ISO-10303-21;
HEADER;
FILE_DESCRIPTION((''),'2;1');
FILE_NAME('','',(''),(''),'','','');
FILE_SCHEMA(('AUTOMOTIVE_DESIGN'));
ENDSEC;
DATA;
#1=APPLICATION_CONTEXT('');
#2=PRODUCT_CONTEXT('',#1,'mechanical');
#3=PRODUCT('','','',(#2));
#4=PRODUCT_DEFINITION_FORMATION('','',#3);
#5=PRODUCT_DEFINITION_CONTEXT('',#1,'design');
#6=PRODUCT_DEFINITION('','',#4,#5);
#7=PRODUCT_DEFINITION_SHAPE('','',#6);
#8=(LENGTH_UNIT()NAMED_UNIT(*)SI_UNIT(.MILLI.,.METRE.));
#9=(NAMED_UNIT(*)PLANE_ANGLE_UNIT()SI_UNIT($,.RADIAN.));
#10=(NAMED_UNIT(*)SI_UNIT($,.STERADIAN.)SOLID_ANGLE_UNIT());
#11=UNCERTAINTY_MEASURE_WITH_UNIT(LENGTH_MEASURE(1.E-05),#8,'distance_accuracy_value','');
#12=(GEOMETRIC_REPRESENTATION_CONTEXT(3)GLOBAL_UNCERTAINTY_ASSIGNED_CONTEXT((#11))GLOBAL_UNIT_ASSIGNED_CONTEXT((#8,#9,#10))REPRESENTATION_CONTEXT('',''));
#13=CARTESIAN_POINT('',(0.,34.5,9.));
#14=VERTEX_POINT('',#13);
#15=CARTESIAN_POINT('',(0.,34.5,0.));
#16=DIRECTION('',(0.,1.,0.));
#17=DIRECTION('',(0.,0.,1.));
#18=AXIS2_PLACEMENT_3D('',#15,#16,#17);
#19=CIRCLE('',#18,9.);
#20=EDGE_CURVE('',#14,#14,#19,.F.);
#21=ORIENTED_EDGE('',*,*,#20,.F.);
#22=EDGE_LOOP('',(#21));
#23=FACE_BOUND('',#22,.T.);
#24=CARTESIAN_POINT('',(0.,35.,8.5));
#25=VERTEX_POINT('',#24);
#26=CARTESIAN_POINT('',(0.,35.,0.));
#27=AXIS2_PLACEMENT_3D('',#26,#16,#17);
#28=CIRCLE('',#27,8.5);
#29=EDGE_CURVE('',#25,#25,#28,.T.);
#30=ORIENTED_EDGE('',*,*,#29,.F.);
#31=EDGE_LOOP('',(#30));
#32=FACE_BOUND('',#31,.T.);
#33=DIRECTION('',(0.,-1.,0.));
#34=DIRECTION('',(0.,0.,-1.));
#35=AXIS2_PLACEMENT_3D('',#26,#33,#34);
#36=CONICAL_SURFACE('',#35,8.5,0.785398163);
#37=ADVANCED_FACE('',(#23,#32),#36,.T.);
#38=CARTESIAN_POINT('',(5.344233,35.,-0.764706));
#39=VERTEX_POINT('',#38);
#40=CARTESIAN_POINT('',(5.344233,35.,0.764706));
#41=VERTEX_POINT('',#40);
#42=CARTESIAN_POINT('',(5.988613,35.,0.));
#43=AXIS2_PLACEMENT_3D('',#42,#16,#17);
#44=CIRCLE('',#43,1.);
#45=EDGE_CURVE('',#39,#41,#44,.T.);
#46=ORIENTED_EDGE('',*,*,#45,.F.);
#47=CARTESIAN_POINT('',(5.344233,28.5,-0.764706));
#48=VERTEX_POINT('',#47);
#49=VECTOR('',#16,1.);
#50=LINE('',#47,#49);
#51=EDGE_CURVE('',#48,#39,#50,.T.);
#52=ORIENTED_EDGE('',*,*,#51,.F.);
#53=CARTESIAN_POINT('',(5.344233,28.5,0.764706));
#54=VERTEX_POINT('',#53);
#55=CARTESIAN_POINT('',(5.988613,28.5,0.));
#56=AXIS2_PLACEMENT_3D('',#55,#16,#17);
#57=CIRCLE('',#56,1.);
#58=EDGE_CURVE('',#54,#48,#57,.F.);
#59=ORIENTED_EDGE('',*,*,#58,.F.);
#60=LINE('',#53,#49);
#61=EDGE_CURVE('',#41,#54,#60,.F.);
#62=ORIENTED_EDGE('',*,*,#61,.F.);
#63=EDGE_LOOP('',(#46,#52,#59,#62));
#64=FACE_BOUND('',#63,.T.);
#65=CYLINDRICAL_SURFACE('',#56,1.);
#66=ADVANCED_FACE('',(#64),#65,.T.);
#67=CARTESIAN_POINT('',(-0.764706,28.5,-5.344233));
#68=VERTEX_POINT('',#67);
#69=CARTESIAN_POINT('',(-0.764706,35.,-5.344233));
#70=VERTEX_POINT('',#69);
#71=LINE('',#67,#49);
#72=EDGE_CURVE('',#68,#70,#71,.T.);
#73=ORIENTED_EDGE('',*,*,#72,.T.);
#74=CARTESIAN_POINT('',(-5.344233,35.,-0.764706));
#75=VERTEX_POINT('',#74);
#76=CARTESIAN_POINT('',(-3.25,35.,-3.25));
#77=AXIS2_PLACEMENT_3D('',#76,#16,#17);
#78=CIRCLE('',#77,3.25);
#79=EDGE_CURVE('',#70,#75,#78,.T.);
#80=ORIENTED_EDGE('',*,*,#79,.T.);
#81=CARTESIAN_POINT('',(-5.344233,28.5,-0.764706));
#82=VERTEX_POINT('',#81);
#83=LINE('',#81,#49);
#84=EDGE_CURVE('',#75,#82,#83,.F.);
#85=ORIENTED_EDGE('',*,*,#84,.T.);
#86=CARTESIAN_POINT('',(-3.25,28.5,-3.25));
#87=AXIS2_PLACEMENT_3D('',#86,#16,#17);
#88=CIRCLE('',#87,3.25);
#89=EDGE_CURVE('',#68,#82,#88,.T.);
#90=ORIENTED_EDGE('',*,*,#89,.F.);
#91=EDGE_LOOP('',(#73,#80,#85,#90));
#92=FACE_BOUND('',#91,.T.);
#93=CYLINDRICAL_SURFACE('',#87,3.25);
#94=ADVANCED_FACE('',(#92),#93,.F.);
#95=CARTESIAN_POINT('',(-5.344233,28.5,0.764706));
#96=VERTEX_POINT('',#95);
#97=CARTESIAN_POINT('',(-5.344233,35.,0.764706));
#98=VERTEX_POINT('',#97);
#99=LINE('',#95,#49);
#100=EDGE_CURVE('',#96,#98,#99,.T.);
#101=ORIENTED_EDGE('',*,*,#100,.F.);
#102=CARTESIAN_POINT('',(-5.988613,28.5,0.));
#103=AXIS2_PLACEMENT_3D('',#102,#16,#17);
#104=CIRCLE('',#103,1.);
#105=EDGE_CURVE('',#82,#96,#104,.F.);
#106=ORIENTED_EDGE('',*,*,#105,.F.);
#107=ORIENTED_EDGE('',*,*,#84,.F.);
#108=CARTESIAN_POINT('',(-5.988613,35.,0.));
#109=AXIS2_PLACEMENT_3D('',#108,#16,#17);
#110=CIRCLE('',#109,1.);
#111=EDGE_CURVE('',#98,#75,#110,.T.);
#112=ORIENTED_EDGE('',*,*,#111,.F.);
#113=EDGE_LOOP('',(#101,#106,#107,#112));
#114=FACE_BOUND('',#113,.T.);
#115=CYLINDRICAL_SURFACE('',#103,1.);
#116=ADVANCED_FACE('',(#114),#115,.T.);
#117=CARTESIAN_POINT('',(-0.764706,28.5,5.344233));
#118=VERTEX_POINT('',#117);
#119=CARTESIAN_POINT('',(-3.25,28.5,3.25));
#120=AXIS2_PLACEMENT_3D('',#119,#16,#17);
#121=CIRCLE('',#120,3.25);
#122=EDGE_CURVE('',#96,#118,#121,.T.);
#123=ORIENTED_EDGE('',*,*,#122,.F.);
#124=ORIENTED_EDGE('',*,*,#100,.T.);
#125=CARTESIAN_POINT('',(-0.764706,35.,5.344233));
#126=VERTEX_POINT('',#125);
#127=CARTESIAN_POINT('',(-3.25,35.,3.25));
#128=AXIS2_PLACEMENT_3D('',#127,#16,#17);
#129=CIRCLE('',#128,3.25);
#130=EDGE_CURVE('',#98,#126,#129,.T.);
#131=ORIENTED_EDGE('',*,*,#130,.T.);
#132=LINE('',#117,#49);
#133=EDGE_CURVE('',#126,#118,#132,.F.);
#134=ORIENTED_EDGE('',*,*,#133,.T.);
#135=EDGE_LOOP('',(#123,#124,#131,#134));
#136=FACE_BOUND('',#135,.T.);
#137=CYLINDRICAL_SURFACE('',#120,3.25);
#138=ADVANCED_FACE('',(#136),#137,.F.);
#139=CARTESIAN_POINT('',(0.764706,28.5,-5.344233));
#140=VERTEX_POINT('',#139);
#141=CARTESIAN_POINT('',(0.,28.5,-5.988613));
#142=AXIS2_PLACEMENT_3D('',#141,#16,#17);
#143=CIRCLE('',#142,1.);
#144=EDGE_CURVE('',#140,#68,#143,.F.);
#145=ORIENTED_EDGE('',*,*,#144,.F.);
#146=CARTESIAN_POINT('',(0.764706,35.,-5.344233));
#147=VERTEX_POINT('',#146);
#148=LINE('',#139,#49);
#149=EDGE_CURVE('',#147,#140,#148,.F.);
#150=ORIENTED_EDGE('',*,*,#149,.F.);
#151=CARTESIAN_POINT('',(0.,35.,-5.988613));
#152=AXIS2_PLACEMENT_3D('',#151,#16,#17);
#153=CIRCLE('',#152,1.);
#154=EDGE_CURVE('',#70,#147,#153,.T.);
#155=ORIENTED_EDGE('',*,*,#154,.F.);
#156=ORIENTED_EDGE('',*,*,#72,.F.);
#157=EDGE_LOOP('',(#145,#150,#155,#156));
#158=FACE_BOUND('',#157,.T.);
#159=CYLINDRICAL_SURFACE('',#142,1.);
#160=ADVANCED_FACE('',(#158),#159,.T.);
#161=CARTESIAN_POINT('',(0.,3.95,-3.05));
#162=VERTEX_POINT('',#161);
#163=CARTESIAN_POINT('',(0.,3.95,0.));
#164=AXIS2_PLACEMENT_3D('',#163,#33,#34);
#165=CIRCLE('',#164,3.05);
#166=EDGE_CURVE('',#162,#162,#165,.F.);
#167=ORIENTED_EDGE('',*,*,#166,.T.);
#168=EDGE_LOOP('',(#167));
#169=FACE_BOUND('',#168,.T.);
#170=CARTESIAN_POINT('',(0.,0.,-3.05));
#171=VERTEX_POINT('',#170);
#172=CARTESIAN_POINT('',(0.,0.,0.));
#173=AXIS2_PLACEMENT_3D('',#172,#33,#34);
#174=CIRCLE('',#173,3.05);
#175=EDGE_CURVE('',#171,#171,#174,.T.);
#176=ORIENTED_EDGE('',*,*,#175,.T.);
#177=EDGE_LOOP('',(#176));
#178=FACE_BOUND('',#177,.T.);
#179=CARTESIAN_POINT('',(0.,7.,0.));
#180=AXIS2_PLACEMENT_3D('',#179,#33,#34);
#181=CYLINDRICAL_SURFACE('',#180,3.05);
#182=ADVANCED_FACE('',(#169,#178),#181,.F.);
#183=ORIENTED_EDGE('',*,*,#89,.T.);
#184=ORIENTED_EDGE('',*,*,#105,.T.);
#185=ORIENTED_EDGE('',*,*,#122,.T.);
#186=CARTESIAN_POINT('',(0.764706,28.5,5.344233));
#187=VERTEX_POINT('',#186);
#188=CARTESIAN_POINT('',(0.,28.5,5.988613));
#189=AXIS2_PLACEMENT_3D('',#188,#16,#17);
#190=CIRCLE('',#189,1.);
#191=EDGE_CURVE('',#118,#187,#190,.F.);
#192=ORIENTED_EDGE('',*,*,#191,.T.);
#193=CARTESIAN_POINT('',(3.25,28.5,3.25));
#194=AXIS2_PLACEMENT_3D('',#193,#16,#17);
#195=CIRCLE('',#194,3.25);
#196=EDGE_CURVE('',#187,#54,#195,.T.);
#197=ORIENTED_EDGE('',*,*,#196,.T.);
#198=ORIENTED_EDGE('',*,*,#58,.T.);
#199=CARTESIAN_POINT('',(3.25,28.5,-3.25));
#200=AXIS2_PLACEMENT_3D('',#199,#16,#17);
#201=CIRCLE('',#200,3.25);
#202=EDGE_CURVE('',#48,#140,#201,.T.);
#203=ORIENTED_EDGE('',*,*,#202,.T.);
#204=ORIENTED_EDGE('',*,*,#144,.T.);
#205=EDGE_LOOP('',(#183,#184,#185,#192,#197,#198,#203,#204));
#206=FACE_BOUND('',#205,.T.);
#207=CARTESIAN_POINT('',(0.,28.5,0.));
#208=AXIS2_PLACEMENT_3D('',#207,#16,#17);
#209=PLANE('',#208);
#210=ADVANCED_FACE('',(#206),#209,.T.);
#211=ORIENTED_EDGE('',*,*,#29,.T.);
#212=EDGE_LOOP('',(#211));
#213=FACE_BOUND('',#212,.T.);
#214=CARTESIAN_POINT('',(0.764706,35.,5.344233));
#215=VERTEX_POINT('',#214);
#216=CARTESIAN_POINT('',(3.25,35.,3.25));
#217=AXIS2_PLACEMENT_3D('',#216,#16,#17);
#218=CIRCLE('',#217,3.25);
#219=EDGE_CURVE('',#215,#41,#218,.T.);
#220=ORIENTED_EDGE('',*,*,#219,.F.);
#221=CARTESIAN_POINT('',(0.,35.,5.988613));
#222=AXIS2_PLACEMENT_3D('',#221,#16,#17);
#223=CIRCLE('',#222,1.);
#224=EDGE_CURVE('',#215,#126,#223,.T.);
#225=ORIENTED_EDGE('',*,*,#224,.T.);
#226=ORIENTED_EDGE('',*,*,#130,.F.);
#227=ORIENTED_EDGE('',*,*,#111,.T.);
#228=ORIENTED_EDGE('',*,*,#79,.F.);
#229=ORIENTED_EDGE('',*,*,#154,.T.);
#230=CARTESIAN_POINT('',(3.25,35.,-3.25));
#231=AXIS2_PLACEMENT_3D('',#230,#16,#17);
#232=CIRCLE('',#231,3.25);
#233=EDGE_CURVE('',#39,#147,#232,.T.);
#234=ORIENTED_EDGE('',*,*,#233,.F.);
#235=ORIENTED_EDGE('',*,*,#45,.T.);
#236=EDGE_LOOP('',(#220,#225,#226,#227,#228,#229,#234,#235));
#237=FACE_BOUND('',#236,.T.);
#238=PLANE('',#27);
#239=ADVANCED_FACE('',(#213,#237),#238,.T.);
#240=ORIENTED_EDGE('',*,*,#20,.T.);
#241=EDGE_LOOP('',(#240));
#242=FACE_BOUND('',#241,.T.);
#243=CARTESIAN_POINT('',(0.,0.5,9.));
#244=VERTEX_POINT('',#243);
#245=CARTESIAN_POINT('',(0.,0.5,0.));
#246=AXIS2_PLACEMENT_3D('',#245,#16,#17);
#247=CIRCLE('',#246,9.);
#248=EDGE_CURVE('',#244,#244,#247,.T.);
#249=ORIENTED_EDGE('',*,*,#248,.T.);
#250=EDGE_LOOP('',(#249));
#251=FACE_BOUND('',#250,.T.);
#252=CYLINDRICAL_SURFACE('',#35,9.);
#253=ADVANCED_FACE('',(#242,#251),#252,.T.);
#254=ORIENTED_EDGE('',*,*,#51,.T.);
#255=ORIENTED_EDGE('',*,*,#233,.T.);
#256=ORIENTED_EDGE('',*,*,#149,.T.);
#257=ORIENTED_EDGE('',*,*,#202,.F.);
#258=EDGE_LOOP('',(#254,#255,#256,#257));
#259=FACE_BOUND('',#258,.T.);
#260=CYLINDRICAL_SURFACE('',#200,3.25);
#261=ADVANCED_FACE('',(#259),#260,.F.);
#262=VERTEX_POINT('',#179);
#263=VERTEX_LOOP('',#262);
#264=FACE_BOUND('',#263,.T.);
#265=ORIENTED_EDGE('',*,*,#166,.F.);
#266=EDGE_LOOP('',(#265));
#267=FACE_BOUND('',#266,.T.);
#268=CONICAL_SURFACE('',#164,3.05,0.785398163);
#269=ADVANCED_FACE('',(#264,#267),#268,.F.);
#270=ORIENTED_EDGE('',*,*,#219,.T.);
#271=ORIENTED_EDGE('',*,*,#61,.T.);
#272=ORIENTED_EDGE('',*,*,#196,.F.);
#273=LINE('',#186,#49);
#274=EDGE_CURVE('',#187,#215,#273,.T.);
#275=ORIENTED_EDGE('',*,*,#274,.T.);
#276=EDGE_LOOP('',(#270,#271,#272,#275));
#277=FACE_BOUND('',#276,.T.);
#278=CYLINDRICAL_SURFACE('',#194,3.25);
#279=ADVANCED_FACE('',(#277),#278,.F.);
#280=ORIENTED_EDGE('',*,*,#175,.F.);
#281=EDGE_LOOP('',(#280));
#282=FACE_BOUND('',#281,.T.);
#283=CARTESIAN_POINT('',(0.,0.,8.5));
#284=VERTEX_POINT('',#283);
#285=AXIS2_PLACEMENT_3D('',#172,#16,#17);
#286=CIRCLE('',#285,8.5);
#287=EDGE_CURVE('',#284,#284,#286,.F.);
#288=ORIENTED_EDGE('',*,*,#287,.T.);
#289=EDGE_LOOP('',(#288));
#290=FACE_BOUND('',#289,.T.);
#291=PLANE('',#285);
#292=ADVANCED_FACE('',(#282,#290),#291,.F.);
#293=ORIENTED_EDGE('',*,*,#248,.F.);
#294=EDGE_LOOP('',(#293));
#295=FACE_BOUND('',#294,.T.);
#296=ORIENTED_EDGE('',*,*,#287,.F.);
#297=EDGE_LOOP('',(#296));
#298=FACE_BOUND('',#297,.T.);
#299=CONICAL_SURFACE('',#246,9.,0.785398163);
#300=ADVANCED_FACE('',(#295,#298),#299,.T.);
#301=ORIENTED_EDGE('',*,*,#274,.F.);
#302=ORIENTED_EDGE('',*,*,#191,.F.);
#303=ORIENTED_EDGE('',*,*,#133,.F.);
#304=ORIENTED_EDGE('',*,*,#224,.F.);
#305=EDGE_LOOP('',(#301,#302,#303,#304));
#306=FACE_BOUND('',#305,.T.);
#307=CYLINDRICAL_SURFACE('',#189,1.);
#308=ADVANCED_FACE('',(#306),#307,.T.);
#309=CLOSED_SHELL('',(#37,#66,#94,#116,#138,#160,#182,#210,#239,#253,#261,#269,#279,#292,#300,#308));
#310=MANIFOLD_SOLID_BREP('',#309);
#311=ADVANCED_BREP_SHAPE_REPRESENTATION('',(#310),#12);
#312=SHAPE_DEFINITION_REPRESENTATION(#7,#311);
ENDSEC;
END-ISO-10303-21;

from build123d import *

# Parameters (mm, degrees)
SKETCH3_R           = 9
BOSS_EXTRUDE3_DEPTH = 35
CUT_EXTRUDE1_DEPTH  = 6.5
FILLET1_R           = 1
SKETCH1_R           = 3.05
CUT_EXTRUDE2_DEPTH  = 7
CHAMFER1_SIZE       = 3.05
CHAMFER2_SIZE       = 0.5


with BuildPart() as part:
    # Sketch3 → Boss-Extrude3 (new body)
    with BuildSketch(Plane(origin=(0, 0, 0), x_dir=(1, 0, 0), z_dir=(0, 1, 0))):
        with Locations(Location((0, 0, 0), (0, 0, 270))):
            Circle(SKETCH3_R)
    extrude(amount=BOSS_EXTRUDE3_DEPTH)

    # Sketch4 → Cut-Extrude1 (cut)
    with BuildSketch(Plane(origin=(0, 35, 0), x_dir=(1, 0, 0), z_dir=(0, 1, 0))):
        with BuildLine():
            ThreePointArc((0, -3.25), (5.548097039, -5.548097039), (3.25, 0))
            ThreePointArc((3.25, 0), (5.548097039, 5.548097039), (0, 3.25))
            ThreePointArc((0, 3.25), (-5.548097039, 5.548097039), (-3.25, 0))
            ThreePointArc((-3.25, 0), (-5.548097039, -5.548097039), (0, -3.25))
        make_face()
    extrude(amount=-CUT_EXTRUDE1_DEPTH, mode=Mode.SUBTRACT)

    # Fillet1
    fillet1_edges = [part.edges().sort_by_distance(p)[0] for p in [
        (-3.25, 31.75, 0),
        (0, 31.75, -3.25),
        (3.25, 31.75, 0),
        (0, 31.75, 3.25),
    ]]
    fillet(fillet1_edges, radius=FILLET1_R)

    # Sketch1 → Cut-Extrude2 (cut)
    with BuildSketch(Plane(origin=(0, 0, 0), x_dir=(-1, 0, 0), z_dir=(0, -1, 0))):
        with Locations(Location((0, 0, 0), (0, 0, 90))):
            Circle(SKETCH1_R)
    extrude(amount=-CUT_EXTRUDE2_DEPTH, mode=Mode.SUBTRACT)

    # Chamfer1
    chamfer1_edges = [part.edges().sort_by_distance(p)[0] for p in [
        (0, 7, 3.05),
    ]]
    chamfer(chamfer1_edges, length=CHAMFER1_SIZE)

    # Chamfer2
    chamfer2_edges = [part.edges().sort_by_distance(p)[0] for p in [
        (0, 0, -9),
        (0, 35, -9),
    ]]
    chamfer(chamfer2_edges, length=CHAMFER2_SIZE)


solid = part.part
